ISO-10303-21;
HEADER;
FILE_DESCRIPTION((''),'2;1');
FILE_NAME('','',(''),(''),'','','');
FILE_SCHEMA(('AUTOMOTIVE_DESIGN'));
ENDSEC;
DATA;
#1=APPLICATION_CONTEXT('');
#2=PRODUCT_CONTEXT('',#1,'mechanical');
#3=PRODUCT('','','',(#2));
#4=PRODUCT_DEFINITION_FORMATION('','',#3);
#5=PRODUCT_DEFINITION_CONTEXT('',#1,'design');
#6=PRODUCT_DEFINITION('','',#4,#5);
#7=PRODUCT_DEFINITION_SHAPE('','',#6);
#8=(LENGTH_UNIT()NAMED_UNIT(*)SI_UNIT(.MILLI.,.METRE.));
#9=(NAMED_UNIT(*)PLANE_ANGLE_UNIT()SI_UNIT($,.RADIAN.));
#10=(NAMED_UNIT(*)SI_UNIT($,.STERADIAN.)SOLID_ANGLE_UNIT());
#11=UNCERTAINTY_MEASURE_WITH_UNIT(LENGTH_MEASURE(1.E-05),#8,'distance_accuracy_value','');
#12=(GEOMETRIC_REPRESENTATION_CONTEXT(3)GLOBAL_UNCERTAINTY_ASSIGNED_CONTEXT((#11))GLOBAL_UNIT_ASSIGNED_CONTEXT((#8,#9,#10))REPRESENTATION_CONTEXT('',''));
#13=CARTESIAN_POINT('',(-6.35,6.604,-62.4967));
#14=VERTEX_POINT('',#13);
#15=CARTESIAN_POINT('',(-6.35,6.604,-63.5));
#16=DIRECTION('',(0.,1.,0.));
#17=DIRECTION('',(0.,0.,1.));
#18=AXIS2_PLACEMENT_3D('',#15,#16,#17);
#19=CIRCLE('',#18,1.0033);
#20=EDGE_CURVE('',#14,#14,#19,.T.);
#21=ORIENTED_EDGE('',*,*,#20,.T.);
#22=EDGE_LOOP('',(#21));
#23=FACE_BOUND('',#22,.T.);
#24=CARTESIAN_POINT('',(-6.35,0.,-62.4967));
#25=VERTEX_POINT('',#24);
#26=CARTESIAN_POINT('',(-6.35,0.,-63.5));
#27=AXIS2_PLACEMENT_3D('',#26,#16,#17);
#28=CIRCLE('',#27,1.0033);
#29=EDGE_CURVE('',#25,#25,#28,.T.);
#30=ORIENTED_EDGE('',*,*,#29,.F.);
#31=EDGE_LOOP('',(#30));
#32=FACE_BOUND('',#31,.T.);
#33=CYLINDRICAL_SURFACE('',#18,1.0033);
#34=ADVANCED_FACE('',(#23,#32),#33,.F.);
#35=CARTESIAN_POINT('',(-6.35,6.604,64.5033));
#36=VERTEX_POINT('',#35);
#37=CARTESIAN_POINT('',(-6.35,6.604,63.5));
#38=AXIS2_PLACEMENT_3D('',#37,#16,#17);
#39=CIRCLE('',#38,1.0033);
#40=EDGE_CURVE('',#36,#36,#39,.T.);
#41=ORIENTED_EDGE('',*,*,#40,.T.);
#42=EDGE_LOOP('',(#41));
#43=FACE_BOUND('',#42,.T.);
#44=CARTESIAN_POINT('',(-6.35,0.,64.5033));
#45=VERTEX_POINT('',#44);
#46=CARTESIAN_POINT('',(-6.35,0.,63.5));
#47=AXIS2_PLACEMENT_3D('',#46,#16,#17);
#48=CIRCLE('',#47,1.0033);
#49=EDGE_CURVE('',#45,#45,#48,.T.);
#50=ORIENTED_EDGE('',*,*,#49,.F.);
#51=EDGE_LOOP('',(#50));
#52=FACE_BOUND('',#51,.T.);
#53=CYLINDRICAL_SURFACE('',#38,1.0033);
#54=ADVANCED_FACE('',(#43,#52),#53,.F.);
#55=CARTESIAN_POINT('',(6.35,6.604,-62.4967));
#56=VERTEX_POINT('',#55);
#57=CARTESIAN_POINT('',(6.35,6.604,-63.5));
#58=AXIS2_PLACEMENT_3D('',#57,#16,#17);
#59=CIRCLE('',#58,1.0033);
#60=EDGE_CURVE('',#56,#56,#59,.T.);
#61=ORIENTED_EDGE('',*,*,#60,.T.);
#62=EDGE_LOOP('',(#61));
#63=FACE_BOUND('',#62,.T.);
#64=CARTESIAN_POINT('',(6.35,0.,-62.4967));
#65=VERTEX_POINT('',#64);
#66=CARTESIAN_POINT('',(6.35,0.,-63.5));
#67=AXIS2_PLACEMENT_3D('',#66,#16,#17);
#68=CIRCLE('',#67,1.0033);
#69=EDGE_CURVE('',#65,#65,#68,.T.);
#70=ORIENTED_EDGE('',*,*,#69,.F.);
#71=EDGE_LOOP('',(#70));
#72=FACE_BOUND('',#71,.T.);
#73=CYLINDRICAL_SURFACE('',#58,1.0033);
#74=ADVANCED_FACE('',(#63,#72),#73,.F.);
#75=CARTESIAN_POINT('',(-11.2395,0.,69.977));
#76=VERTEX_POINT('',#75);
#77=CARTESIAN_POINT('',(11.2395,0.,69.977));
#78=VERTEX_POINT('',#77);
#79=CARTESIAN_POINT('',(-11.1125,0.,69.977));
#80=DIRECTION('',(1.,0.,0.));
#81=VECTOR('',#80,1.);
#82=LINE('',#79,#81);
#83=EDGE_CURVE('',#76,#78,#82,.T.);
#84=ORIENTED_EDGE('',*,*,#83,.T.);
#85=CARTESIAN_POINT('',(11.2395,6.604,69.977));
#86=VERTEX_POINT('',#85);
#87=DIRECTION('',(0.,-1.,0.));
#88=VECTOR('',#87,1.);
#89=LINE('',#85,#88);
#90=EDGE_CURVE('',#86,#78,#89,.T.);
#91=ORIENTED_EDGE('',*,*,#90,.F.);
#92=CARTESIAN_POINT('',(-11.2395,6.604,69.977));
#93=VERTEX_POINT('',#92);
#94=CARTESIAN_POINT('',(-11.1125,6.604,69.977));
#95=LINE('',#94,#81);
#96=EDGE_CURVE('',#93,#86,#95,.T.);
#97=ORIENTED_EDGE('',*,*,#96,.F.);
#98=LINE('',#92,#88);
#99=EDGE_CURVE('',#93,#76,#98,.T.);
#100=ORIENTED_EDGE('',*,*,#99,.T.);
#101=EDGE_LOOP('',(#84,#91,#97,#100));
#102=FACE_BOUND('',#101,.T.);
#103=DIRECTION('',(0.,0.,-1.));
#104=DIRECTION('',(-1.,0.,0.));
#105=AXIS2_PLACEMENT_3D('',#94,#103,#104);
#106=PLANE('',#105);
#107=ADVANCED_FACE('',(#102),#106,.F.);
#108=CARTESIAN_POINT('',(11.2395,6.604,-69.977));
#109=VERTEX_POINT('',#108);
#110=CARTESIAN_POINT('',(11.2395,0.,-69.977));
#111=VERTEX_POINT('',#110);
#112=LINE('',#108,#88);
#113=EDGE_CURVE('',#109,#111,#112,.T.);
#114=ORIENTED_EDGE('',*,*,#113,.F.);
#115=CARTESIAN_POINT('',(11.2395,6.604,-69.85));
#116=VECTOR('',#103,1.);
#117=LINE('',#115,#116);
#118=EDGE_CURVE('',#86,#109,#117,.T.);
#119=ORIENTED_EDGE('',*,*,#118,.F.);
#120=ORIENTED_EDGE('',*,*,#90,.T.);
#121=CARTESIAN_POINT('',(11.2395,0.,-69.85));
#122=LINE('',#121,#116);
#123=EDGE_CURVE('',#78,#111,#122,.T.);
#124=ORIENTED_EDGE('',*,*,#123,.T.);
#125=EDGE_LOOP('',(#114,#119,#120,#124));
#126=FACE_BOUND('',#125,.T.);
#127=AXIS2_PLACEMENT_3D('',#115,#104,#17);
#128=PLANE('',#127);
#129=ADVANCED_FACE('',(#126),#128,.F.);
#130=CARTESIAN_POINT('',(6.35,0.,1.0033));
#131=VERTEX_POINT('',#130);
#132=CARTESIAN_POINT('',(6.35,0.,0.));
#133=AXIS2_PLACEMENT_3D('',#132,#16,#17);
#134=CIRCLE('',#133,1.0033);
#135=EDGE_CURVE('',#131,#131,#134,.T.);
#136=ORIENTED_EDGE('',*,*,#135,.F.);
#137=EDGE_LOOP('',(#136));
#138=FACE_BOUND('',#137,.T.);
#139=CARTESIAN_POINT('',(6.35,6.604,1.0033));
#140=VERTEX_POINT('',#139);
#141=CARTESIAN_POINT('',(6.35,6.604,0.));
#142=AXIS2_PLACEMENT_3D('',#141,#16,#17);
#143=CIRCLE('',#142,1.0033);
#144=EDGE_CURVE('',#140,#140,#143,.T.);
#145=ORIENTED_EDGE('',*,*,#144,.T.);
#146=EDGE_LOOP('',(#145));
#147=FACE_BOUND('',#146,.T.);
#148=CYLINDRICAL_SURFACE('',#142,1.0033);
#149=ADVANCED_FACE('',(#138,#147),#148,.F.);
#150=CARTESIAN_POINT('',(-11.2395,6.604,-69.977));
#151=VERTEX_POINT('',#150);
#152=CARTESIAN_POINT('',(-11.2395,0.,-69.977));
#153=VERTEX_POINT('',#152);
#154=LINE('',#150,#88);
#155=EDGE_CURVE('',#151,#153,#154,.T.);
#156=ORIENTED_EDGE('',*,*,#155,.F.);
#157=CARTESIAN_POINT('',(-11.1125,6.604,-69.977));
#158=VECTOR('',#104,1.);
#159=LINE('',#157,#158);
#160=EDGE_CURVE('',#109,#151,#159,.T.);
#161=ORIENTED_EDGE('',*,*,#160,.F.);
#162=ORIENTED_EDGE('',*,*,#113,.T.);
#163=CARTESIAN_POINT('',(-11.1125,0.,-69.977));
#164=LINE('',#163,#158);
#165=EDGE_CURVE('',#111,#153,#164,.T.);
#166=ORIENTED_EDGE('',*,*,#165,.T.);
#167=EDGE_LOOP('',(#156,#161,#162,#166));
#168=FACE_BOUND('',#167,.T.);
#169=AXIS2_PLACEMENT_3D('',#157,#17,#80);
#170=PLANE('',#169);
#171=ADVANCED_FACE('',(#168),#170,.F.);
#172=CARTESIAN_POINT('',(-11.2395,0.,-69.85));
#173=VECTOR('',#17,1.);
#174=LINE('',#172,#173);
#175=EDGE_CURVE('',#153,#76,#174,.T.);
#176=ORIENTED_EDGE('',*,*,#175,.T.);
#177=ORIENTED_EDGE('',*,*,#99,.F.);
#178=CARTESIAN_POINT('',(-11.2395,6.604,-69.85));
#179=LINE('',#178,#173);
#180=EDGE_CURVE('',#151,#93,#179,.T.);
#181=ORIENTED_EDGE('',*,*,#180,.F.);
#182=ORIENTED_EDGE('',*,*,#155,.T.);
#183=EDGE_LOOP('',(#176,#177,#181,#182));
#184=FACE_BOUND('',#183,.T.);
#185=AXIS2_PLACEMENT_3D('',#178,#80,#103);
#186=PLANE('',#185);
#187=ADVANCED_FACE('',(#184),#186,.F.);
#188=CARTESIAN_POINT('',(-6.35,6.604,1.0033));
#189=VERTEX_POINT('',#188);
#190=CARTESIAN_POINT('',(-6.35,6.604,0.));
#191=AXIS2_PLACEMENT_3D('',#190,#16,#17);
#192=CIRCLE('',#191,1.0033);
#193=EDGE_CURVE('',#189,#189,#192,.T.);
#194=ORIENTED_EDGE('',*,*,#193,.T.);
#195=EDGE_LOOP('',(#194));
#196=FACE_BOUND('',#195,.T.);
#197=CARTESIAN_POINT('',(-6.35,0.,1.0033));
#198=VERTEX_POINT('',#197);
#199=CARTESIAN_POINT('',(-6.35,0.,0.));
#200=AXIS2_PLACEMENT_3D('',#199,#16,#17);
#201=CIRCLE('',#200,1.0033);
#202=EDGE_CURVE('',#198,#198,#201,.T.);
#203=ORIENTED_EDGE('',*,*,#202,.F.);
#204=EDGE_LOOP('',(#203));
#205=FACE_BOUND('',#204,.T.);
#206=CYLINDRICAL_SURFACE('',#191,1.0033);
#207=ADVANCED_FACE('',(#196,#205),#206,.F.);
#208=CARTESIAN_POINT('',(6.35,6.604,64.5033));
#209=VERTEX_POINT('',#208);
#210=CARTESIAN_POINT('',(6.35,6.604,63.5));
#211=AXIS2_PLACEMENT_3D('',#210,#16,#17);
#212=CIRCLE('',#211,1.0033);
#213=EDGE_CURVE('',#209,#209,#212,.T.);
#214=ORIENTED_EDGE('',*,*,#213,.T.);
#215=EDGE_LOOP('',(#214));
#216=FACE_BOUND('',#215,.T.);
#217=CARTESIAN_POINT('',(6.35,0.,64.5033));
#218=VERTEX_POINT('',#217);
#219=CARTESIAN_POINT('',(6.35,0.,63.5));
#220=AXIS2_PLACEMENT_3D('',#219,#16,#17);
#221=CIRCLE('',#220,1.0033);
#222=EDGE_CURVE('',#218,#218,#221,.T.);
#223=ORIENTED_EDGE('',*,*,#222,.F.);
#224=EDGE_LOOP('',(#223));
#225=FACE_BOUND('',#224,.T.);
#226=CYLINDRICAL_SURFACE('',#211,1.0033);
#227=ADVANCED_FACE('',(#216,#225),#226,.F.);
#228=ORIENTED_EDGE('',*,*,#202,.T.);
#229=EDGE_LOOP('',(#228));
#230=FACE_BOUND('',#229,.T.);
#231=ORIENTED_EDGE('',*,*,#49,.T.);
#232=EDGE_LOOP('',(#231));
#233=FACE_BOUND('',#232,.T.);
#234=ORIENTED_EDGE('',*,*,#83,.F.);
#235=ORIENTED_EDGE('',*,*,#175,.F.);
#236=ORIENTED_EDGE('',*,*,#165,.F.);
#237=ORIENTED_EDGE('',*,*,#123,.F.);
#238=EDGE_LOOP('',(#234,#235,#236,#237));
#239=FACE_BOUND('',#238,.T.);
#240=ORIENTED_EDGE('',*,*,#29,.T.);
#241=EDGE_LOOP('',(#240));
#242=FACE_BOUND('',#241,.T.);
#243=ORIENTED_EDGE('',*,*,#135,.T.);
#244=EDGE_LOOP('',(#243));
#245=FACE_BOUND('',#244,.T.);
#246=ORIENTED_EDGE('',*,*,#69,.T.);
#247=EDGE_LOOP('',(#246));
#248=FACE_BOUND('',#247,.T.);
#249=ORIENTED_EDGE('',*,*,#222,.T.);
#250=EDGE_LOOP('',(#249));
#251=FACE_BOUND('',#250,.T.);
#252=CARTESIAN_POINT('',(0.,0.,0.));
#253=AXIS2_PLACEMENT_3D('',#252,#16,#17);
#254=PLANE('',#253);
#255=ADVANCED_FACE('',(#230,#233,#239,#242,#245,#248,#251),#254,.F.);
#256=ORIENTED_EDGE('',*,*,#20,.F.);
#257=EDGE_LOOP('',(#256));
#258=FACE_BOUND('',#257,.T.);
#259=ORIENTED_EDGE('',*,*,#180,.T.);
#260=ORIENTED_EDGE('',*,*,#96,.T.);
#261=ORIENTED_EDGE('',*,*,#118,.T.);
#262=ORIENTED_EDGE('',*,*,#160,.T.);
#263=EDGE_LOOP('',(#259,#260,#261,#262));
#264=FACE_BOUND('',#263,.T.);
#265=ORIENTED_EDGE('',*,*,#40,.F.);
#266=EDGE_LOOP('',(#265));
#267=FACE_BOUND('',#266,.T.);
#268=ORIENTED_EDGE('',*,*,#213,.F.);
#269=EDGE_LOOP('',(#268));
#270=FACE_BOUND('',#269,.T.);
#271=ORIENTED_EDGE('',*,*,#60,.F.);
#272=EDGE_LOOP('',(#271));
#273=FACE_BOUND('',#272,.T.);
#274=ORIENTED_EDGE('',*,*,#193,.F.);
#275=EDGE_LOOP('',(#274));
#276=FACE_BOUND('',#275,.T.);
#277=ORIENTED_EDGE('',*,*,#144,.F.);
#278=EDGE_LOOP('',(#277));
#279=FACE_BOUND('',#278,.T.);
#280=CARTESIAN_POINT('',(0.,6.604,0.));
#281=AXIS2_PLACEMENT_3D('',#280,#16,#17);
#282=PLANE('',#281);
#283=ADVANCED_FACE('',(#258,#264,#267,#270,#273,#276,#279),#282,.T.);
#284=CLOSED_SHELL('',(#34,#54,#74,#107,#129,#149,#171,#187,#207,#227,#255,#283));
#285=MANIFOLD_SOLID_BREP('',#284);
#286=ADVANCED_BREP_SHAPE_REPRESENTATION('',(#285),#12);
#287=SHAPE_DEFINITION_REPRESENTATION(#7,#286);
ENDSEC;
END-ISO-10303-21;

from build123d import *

# Parameters (mm, degrees)
SKETCH1_W                 = 22.225
SKETCH1_H                 = 139.7
BOSS_EXTRUDE1_DEPTH       = 6.604
F_4_40_TAPPED_HOLE1_D     = 2.2606
F_4_40_TAPPED_HOLE1_DEPTH = 7.5946
F_4_40_TAPPED_HOLE1_TIP   = 0.679152758
MOVE_FACE1_BY             = 0.127
MOVE_FACE1_2_BY           = 0.127
MOVE_FACE1_3_BY           = 0.127
MOVE_FACE1_4_BY           = 0.127
MOVE_FACE1_5_BY           = 0.127
MOVE_FACE1_6_BY           = 0.127
MOVE_FACE1_7_BY           = 0.127
MOVE_FACE1_8_BY           = 0.127
MOVE_FACE1_9_BY           = 0.127
MOVE_FACE1_10_BY          = 0.127


with BuildPart() as part:
    # Sketch1 → Boss-Extrude1 (new body)
    with BuildSketch(Plane(origin=(0, 0, 0), x_dir=(1, 0, 0), z_dir=(0, 1, 0))):
        Rectangle(SKETCH1_W, SKETCH1_H)
    extrude(amount=BOSS_EXTRUDE1_DEPTH)

    # #4-40 Tapped Hole1
    with Locations(Plane(origin=(0, 6.604, 0), x_dir=(1, 0, 0), z_dir=(0, 1, 0))):
        with Locations((6.35, 63.5), (6.35, 0), (6.35, -63.5), (-6.35, 63.5), (-6.35, 0), (-6.35, -63.5)):
            Hole(F_4_40_TAPPED_HOLE1_D / 2, depth=F_4_40_TAPPED_HOLE1_DEPTH)
            with Locations((0, 0, -(F_4_40_TAPPED_HOLE1_DEPTH + F_4_40_TAPPED_HOLE1_TIP / 2))):  # 118° drill point
                Cone(0, F_4_40_TAPPED_HOLE1_D / 2, F_4_40_TAPPED_HOLE1_TIP, mode=Mode.SUBTRACT)

    # Move Face1: a face moved outward by 0.127
    extrude(part.faces().sort_by_distance((0, 3.302, 69.85))[0], amount=MOVE_FACE1_BY, dir=(0, 0, 1))

    # Move Face1 2: a curved face moved outward by 0.127
    add(Solid.thicken(part.faces().sort_by_distance((7.4803, 3.302, 0))[0], MOVE_FACE1_2_BY))

    # Move Face1 3: a curved face moved outward by 0.127
    add(Solid.thicken(part.faces().sort_by_distance((-5.2197, 3.302, 0))[0], MOVE_FACE1_3_BY))

    # Move Face1 4: a curved face moved outward by 0.127
    add(Solid.thicken(part.faces().sort_by_distance((7.4803, 3.302, 63.5))[0], MOVE_FACE1_4_BY))

    # Move Face1 5: a curved face moved outward by 0.127
    add(Solid.thicken(part.faces().sort_by_distance((-5.2197, 3.302, 63.5))[0], MOVE_FACE1_5_BY))

    # Move Face1 6: a face moved outward by 0.127
    extrude(part.faces().sort_by_distance((-11.1125, 3.302, 0))[0], amount=MOVE_FACE1_6_BY, dir=(-1, 0, 0))

    # Move Face1 7: a curved face moved outward by 0.127
    add(Solid.thicken(part.faces().sort_by_distance((-5.2197, 3.302, -63.5))[0], MOVE_FACE1_7_BY))

    # Move Face1 8: a curved face moved outward by 0.127
    add(Solid.thicken(part.faces().sort_by_distance((7.4803, 3.302, -63.5))[0], MOVE_FACE1_8_BY))

    # Move Face1 9: a face moved outward by 0.127
    extrude(part.faces().sort_by_distance((0, 3.302, -69.85))[0], amount=MOVE_FACE1_9_BY, dir=(0, 0, -1))

    # Move Face1 10: a face moved outward by 0.127
    extrude(part.faces().sort_by_distance((11.1125, 3.302, 0))[0], amount=MOVE_FACE1_10_BY, dir=(1, 0, 0))


solid = part.part
